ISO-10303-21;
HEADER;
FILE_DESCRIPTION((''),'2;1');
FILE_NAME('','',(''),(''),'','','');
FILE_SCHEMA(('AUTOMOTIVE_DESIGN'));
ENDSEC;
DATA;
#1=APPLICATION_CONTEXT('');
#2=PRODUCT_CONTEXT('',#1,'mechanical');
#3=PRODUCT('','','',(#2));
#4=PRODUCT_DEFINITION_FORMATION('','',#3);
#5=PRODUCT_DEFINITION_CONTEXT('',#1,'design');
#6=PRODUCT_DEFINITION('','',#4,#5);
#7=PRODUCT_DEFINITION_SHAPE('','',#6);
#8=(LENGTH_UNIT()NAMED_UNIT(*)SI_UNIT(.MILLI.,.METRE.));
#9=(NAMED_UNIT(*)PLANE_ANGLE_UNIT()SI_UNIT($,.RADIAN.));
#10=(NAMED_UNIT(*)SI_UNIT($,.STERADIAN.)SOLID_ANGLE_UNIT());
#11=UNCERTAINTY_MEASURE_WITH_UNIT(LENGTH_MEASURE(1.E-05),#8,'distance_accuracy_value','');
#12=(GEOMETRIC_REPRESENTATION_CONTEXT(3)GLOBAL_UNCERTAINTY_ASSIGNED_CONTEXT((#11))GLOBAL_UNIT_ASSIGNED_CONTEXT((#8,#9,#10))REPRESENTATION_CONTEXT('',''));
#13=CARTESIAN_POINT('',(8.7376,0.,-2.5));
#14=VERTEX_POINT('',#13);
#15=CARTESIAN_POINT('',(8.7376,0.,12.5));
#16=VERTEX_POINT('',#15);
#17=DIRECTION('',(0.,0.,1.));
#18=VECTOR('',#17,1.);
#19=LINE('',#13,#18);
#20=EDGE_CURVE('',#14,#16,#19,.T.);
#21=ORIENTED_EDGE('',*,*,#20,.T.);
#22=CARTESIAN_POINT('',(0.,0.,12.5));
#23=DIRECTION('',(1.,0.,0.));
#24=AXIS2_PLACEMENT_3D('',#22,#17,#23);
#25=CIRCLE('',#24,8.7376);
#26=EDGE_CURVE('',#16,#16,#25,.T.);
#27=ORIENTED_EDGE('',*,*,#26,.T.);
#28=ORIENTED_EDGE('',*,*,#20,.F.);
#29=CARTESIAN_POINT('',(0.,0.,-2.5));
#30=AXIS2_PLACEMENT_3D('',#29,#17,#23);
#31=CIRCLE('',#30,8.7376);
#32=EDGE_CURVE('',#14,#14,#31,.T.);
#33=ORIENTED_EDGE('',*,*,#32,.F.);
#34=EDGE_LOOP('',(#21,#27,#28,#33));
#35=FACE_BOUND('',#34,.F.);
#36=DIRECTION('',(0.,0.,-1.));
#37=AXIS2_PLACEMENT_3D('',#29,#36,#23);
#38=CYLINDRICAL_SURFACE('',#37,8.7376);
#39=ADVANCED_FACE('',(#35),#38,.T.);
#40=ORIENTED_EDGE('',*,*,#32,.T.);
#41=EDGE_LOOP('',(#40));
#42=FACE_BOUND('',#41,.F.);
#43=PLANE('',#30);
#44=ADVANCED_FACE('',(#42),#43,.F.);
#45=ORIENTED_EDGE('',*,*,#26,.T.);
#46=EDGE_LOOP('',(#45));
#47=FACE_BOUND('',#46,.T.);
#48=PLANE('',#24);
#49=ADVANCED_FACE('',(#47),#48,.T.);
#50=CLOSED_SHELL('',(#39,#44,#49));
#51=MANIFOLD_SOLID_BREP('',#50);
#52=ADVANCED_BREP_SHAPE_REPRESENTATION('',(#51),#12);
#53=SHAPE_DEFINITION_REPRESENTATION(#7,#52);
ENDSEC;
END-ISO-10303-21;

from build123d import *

# Parameters (mm, degrees)
CYLINDER_R     = 8.7376
CYLINDER_DEPTH = 15


with BuildPart() as part:
    # Cylinder → Cylinder (new body)
    with BuildSketch(Plane.XY.offset(-2.5)):
        Circle(CYLINDER_R)
    extrude(amount=CYLINDER_DEPTH)


solid = part.part
